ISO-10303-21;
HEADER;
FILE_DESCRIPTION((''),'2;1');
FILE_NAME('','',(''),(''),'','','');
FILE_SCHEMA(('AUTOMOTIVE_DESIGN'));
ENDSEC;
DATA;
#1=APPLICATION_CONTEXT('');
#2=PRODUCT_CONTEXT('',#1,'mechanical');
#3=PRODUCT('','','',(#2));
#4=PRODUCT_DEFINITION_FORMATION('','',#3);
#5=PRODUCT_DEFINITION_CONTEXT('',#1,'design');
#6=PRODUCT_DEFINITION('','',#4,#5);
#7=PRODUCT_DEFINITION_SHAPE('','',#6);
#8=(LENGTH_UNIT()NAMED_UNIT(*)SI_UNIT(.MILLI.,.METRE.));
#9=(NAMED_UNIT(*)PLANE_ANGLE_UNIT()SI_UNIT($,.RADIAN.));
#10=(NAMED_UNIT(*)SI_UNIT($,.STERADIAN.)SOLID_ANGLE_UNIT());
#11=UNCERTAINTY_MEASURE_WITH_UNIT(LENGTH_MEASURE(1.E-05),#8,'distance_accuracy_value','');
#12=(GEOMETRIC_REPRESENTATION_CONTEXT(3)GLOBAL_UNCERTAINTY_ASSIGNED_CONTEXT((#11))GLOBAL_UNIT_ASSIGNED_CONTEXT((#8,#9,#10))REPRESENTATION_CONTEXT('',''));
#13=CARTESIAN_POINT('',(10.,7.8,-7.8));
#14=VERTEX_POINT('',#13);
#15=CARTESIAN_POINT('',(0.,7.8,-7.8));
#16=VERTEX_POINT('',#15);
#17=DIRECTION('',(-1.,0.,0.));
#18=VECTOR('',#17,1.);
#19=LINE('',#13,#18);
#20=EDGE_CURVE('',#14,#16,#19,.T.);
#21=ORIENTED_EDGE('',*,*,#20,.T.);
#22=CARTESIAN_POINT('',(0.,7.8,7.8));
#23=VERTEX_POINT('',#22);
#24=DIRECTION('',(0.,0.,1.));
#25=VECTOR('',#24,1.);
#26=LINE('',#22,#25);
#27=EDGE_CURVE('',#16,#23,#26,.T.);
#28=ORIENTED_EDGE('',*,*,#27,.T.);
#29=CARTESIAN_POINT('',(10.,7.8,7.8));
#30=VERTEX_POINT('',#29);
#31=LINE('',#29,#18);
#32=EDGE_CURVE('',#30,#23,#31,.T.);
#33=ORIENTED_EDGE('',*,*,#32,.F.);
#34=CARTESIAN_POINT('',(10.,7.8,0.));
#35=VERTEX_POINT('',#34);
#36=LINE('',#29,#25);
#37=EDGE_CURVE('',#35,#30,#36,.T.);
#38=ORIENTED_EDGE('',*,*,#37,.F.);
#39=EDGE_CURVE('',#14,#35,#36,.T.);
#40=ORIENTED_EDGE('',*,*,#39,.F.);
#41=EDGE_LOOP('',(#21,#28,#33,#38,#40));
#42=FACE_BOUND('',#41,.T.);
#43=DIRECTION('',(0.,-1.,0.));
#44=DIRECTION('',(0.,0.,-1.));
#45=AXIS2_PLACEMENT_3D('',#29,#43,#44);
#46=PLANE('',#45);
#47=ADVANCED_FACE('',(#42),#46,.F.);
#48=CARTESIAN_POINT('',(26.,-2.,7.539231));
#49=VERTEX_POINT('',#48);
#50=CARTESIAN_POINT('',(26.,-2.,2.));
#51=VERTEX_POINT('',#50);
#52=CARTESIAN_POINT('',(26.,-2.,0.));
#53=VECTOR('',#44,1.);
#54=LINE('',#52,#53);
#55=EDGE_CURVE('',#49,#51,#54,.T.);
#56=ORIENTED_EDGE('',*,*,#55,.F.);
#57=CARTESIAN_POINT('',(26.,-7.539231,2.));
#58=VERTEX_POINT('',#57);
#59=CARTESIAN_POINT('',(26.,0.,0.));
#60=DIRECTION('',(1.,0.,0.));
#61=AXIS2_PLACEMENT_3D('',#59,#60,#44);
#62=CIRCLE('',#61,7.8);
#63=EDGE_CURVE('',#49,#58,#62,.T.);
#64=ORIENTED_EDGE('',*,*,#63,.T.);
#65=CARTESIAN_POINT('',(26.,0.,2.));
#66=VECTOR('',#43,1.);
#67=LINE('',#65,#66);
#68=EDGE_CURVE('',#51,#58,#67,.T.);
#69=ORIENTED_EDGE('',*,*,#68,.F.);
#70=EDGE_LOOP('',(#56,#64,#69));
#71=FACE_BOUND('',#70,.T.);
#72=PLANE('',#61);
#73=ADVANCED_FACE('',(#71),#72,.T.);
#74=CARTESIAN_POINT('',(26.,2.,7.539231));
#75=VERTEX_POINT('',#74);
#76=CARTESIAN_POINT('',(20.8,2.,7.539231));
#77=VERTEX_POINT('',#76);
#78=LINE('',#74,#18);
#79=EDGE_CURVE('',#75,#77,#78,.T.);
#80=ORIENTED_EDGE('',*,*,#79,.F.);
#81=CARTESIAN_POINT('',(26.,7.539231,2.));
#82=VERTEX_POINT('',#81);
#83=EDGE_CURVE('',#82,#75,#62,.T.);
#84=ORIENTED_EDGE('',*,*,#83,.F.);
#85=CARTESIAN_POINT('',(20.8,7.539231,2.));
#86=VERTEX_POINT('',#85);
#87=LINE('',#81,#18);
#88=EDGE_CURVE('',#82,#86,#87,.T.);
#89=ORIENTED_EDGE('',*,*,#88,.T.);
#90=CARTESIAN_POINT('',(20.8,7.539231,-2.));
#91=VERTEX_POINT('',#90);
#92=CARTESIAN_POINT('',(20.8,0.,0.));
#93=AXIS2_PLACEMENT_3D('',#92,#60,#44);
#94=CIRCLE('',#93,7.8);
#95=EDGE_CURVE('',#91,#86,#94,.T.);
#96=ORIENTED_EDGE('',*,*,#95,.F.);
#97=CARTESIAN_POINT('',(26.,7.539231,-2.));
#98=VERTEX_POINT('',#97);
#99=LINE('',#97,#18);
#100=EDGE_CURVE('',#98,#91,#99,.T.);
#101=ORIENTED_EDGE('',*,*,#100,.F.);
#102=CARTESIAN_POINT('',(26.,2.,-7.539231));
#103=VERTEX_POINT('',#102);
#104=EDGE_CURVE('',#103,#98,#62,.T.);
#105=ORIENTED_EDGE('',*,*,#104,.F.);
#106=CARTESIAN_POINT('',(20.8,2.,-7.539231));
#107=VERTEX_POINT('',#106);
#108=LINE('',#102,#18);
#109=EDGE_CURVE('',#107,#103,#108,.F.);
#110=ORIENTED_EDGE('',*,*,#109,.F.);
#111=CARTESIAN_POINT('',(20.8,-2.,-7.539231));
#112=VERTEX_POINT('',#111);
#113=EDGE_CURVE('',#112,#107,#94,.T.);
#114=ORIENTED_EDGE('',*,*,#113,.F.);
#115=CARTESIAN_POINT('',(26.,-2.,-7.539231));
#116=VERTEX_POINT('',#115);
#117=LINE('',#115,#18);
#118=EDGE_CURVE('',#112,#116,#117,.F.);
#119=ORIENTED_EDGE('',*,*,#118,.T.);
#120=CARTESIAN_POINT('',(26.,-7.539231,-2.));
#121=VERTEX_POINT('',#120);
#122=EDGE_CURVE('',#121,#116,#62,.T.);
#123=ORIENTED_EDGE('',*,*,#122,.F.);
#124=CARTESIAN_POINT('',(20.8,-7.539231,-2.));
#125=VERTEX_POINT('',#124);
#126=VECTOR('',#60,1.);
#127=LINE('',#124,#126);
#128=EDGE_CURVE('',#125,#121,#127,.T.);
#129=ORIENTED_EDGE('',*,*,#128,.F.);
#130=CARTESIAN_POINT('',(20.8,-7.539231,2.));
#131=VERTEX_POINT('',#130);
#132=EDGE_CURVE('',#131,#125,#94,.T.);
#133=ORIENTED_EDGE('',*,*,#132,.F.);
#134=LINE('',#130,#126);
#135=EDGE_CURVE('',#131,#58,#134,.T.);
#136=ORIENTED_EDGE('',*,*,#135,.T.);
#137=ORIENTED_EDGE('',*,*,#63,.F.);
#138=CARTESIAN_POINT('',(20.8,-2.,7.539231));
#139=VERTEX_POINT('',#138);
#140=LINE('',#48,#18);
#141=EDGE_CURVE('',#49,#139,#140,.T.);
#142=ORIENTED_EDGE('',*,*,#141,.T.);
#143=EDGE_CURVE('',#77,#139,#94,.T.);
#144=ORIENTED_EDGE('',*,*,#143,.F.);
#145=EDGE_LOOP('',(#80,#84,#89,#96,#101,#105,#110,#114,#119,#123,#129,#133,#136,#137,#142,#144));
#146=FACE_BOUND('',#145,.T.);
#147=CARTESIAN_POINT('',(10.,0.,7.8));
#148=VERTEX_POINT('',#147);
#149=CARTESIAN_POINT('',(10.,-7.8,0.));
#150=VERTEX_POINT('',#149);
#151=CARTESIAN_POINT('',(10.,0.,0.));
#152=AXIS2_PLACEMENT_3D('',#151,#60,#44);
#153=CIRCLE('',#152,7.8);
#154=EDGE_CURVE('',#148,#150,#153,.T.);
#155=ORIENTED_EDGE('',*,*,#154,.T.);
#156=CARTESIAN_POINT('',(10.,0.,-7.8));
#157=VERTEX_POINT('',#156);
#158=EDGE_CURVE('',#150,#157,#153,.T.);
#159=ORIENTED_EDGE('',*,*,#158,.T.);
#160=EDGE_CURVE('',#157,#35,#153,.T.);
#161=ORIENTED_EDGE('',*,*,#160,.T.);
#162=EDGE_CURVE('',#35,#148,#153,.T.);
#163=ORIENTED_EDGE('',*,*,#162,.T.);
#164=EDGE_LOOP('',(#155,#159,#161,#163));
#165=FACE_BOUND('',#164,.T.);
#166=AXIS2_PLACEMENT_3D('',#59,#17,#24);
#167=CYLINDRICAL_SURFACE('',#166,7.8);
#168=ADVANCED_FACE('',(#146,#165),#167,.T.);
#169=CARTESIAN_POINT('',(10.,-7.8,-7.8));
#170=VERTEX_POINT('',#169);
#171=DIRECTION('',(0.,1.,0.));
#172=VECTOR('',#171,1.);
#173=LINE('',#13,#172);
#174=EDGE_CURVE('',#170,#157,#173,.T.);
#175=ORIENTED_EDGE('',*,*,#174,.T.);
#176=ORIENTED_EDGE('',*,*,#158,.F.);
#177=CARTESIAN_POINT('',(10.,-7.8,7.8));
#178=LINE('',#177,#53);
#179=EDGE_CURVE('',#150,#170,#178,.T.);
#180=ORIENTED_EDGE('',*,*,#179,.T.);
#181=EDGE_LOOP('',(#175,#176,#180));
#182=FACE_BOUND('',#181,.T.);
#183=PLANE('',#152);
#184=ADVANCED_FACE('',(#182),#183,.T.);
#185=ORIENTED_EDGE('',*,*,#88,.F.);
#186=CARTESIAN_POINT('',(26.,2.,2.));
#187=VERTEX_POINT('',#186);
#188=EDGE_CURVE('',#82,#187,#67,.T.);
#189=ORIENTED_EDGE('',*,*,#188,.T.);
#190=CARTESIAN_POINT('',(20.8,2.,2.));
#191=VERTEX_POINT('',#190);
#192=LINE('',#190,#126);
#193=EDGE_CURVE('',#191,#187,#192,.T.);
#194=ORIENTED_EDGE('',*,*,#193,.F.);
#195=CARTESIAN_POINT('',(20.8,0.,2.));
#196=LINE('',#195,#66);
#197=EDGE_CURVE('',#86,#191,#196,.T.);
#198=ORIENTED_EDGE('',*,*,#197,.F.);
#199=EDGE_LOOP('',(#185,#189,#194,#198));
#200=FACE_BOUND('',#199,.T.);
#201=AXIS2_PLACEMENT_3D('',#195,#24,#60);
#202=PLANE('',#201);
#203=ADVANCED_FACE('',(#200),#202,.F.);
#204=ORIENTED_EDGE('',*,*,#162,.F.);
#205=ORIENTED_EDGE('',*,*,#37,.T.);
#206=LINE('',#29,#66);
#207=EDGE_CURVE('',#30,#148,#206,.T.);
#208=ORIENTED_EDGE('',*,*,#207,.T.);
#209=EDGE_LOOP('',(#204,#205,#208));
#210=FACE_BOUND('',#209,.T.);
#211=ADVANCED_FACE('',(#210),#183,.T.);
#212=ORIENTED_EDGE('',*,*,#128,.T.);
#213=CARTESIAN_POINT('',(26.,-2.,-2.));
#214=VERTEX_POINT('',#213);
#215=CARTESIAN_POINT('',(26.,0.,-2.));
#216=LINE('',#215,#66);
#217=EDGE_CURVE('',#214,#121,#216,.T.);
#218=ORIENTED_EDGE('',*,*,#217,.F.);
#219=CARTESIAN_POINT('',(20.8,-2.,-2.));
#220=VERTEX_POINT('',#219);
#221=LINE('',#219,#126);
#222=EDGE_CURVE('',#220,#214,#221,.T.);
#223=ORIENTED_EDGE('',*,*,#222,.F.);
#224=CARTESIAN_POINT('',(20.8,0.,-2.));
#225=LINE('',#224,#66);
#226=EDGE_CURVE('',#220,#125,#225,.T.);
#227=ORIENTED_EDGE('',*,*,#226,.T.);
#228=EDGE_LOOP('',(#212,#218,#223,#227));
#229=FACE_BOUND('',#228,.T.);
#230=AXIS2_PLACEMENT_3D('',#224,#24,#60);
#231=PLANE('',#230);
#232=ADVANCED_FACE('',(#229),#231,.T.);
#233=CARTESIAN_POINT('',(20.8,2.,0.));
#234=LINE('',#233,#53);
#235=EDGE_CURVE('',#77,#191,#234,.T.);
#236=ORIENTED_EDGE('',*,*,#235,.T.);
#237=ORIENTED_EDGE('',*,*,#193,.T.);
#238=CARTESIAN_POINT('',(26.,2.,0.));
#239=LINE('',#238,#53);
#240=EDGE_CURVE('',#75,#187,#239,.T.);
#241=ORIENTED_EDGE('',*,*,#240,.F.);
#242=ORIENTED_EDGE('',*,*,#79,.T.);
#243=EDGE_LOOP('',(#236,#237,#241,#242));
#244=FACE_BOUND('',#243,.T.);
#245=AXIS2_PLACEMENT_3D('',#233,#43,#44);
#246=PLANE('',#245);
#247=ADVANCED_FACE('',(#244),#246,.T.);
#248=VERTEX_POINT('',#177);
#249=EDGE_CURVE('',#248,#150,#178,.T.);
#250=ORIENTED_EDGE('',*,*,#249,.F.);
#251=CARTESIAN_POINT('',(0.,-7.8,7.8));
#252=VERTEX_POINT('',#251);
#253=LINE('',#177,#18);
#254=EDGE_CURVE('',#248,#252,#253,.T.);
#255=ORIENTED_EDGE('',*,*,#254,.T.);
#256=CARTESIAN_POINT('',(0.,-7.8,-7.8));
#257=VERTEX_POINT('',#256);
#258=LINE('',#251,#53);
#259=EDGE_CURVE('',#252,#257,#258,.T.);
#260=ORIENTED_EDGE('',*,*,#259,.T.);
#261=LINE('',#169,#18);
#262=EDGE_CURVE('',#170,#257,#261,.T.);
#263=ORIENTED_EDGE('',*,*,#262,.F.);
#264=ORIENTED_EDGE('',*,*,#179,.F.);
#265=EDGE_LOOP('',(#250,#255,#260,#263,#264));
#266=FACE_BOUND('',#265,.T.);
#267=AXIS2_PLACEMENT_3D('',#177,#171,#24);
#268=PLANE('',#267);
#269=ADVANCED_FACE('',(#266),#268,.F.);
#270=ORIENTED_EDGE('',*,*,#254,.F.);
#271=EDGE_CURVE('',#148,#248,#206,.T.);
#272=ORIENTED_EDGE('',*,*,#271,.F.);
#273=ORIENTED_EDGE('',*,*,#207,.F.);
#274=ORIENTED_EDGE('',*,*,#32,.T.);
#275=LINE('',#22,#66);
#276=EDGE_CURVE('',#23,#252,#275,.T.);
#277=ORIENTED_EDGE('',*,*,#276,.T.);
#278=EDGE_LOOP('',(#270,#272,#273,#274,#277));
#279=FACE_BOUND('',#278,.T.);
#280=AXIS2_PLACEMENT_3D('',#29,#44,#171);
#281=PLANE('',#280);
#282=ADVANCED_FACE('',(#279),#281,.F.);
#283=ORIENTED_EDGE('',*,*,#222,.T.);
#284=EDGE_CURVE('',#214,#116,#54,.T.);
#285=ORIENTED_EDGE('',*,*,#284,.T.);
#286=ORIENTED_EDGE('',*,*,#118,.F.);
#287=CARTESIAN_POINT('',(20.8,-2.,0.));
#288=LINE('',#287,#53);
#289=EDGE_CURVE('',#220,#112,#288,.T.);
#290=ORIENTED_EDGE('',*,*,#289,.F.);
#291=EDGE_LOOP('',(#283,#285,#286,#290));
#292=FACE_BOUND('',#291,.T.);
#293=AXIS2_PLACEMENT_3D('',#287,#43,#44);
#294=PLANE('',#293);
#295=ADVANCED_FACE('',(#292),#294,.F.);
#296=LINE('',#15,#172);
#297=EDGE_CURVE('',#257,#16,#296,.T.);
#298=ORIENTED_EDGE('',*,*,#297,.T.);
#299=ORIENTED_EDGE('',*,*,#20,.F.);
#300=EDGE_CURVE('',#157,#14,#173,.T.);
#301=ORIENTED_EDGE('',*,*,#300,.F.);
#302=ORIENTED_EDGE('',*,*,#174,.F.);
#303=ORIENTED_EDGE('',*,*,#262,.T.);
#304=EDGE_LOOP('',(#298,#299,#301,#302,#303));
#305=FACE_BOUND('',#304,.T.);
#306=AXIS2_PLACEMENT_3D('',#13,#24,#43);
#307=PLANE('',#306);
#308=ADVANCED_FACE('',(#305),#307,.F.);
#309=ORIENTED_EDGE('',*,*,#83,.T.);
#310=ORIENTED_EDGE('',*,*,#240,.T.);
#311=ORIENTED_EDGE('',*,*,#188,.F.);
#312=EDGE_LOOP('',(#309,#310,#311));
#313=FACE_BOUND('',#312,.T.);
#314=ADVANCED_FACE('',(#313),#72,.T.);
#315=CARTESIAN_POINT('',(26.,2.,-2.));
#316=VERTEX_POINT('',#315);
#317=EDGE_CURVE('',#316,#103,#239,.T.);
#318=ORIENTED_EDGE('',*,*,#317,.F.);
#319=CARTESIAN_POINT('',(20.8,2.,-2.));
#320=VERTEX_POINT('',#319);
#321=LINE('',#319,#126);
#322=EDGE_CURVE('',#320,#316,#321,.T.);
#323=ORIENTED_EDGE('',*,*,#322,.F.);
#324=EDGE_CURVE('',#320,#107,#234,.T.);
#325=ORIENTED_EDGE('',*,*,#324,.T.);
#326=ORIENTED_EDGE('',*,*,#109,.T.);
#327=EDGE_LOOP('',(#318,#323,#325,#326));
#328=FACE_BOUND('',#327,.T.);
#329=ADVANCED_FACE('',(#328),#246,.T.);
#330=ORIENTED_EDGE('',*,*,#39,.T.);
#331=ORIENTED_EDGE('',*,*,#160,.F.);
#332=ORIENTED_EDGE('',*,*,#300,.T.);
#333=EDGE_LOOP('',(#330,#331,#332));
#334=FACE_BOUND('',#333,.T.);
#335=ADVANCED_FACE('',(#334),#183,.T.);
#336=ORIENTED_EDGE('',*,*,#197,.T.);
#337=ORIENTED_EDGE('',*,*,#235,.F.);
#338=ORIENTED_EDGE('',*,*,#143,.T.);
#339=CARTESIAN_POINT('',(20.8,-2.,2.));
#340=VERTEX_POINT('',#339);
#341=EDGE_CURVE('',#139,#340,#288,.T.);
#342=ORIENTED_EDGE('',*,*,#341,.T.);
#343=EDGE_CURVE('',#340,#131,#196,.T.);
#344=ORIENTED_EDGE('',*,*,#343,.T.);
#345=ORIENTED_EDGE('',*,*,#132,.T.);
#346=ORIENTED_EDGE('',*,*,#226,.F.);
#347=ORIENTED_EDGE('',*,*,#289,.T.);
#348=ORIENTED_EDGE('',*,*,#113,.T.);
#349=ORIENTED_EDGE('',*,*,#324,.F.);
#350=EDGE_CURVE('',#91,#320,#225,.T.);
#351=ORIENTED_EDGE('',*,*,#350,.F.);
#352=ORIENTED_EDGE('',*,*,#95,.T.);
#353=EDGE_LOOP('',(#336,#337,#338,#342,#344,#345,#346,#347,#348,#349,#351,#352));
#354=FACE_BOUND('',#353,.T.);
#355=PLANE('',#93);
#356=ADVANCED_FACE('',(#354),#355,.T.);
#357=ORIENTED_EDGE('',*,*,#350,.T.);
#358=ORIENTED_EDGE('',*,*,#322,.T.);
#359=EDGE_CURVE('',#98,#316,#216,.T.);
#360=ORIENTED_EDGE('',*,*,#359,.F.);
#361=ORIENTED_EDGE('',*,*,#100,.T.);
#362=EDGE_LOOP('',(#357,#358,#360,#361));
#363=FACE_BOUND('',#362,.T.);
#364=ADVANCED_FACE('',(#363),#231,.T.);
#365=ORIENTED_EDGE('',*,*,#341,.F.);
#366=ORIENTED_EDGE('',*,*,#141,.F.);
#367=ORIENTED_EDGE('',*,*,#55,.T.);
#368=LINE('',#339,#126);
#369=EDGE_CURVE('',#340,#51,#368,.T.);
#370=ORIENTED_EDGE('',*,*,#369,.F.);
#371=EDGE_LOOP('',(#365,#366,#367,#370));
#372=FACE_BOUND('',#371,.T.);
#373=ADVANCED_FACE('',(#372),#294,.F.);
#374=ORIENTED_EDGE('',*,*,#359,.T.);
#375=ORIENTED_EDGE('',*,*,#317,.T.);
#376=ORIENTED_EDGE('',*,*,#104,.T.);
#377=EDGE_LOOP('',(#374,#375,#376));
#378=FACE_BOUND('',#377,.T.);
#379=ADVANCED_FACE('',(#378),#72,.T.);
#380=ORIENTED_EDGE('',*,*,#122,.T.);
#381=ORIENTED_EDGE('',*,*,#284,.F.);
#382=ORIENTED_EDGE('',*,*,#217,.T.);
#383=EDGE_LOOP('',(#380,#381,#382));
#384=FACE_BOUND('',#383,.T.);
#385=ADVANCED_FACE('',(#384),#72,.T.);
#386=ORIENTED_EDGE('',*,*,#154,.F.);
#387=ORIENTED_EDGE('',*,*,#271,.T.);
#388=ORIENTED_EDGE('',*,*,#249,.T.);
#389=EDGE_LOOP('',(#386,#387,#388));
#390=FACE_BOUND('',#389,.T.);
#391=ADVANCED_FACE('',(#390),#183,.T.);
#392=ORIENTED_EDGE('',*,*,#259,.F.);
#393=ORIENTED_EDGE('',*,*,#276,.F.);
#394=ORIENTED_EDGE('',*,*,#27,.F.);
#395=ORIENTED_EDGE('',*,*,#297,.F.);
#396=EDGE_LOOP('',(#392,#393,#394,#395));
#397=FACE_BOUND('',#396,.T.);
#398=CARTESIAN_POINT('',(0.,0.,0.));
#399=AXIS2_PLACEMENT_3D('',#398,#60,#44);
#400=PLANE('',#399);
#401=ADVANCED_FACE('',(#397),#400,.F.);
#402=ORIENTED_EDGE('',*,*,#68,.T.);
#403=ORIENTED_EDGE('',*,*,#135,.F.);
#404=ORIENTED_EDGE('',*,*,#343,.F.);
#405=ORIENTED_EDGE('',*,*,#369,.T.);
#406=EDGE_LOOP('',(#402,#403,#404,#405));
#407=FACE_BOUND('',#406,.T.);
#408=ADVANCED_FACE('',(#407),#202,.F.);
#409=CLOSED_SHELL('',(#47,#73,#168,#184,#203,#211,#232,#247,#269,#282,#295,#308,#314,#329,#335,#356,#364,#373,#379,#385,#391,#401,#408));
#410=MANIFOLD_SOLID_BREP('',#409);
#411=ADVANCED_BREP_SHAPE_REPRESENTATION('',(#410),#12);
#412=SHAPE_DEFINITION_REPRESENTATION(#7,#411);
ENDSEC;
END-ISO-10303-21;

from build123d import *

# Parameters (mm, degrees)
SKETCH1_W           = 15.6
SKETCH1_H           = 15.6
BOSS_EXTRUDE1_DEPTH = 10
SKETCH2_R           = 7.8
BOSS_EXTRUDE2_DEPTH = 16
SKETCH3_W           = 4
SKETCH3_H           = 4
CUT_EXTRUDE2_DEPTH  = 5.2


with BuildPart() as part:
    # Sketch1 → Boss-Extrude1 (new body)
    with BuildSketch(Plane(origin=(0, 0, 0), x_dir=(0, 0, -1), z_dir=(1, 0, 0))):
        Rectangle(SKETCH1_W, SKETCH1_H)
    extrude(amount=BOSS_EXTRUDE1_DEPTH)

    # Sketch2 → Boss-Extrude2 (add)
    with BuildSketch(Plane(origin=(10, 0, 0), x_dir=(0, 0, -1), z_dir=(1, 0, 0))):
        Circle(SKETCH2_R)
    extrude(amount=BOSS_EXTRUDE2_DEPTH)

    # Sketch3 → Cut-Extrude2 (cut)
    with BuildSketch(Plane(origin=(26, 0, 0), x_dir=(0, 0, -1), z_dir=(1, 0, 0))):
        with BuildLine():
            Line((-2, -2), (-2, 2))
            Line((-2, 2), (-7.53923073, 2))
            ThreePointArc((-7.53923073, 2), (-7.734532943, 1.008464255), (-7.8, 0))
            ThreePointArc((-7.8, 0), (-7.734532943, -1.008464255), (-7.53923073, -2))
            Line((-7.53923073, -2), (-2, -2))
        make_face()
        with BuildLine():
            ThreePointArc((2, 7.53923073), (1.008464255, 7.734532943), (0, 7.8))
            ThreePointArc((0, 7.8), (-1.008464255, 7.734532943), (-2, 7.53923073))
            Line((-2, 7.53923073), (-2, 2))
            Line((-2, 2), (2, 2))
            Line((2, 2), (2, 7.53923073))
        make_face()
        with BuildLine():
            Line((7.53923073, 2), (2, 2))
            Line((2, 2), (2, -2))
            Line((2, -2), (7.53923073, -2))
            ThreePointArc((7.53923073, -2), (7.734532943, -1.008464255), (7.8, 0))
            ThreePointArc((7.8, 0), (7.734532943, 1.008464255), (7.53923073, 2))
        make_face()
        with BuildLine():
            Line((2, -2), (-2, -2))
            Line((-2, -2), (-2, -7.53923073))
            ThreePointArc((-2, -7.53923073), (-1.008464255, -7.734532943), (0, -7.8))
            ThreePointArc((0, -7.8), (1.008464255, -7.734532943), (2, -7.53923073))
            Line((2, -7.53923073), (2, -2))
        make_face()
        with BuildLine():
            ThreePointArc((-7.53923073, -2), (-7.734532943, -1.008464255), (-7.8, 0))
            Line((-7.8, 0), (-7.8, -2))
            Line((-7.8, -2), (-7.53923073, -2))
        make_face()
        with BuildLine():
            ThreePointArc((-7.8, 0), (-7.734532943, 1.008464255), (-7.53923073, 2))
            Line((-7.53923073, 2), (-7.8, 2))
            Line((-7.8, 2), (-7.8, 0))
        make_face()
        with BuildLine():
            Line((0, 7.8), (-2, 7.8))
            Line((-2, 7.8), (-2, 7.53923073))
            ThreePointArc((-2, 7.53923073), (-1.008464255, 7.734532943), (0, 7.8))
        make_face()
        with BuildLine():
            Line((2, 7.8), (0, 7.8))
            ThreePointArc((0, 7.8), (1.008464255, 7.734532943), (2, 7.53923073))
            Line((2, 7.53923073), (2, 7.8))
        make_face()
        with BuildLine():
            Line((7.8, 2), (7.53923073, 2))
            ThreePointArc((7.53923073, 2), (7.734532943, 1.008464255), (7.8, 0))
            Line((7.8, 0), (7.8, 2))
        make_face()
        with BuildLine():
            Line((7.8, -2), (7.8, 0))
            ThreePointArc((7.8, 0), (7.734532943, -1.008464255), (7.53923073, -2))
            Line((7.53923073, -2), (7.8, -2))
        make_face()
        Rectangle(SKETCH3_W, SKETCH3_H)
    extrude(amount=-CUT_EXTRUDE2_DEPTH, mode=Mode.SUBTRACT)


solid = part.part
